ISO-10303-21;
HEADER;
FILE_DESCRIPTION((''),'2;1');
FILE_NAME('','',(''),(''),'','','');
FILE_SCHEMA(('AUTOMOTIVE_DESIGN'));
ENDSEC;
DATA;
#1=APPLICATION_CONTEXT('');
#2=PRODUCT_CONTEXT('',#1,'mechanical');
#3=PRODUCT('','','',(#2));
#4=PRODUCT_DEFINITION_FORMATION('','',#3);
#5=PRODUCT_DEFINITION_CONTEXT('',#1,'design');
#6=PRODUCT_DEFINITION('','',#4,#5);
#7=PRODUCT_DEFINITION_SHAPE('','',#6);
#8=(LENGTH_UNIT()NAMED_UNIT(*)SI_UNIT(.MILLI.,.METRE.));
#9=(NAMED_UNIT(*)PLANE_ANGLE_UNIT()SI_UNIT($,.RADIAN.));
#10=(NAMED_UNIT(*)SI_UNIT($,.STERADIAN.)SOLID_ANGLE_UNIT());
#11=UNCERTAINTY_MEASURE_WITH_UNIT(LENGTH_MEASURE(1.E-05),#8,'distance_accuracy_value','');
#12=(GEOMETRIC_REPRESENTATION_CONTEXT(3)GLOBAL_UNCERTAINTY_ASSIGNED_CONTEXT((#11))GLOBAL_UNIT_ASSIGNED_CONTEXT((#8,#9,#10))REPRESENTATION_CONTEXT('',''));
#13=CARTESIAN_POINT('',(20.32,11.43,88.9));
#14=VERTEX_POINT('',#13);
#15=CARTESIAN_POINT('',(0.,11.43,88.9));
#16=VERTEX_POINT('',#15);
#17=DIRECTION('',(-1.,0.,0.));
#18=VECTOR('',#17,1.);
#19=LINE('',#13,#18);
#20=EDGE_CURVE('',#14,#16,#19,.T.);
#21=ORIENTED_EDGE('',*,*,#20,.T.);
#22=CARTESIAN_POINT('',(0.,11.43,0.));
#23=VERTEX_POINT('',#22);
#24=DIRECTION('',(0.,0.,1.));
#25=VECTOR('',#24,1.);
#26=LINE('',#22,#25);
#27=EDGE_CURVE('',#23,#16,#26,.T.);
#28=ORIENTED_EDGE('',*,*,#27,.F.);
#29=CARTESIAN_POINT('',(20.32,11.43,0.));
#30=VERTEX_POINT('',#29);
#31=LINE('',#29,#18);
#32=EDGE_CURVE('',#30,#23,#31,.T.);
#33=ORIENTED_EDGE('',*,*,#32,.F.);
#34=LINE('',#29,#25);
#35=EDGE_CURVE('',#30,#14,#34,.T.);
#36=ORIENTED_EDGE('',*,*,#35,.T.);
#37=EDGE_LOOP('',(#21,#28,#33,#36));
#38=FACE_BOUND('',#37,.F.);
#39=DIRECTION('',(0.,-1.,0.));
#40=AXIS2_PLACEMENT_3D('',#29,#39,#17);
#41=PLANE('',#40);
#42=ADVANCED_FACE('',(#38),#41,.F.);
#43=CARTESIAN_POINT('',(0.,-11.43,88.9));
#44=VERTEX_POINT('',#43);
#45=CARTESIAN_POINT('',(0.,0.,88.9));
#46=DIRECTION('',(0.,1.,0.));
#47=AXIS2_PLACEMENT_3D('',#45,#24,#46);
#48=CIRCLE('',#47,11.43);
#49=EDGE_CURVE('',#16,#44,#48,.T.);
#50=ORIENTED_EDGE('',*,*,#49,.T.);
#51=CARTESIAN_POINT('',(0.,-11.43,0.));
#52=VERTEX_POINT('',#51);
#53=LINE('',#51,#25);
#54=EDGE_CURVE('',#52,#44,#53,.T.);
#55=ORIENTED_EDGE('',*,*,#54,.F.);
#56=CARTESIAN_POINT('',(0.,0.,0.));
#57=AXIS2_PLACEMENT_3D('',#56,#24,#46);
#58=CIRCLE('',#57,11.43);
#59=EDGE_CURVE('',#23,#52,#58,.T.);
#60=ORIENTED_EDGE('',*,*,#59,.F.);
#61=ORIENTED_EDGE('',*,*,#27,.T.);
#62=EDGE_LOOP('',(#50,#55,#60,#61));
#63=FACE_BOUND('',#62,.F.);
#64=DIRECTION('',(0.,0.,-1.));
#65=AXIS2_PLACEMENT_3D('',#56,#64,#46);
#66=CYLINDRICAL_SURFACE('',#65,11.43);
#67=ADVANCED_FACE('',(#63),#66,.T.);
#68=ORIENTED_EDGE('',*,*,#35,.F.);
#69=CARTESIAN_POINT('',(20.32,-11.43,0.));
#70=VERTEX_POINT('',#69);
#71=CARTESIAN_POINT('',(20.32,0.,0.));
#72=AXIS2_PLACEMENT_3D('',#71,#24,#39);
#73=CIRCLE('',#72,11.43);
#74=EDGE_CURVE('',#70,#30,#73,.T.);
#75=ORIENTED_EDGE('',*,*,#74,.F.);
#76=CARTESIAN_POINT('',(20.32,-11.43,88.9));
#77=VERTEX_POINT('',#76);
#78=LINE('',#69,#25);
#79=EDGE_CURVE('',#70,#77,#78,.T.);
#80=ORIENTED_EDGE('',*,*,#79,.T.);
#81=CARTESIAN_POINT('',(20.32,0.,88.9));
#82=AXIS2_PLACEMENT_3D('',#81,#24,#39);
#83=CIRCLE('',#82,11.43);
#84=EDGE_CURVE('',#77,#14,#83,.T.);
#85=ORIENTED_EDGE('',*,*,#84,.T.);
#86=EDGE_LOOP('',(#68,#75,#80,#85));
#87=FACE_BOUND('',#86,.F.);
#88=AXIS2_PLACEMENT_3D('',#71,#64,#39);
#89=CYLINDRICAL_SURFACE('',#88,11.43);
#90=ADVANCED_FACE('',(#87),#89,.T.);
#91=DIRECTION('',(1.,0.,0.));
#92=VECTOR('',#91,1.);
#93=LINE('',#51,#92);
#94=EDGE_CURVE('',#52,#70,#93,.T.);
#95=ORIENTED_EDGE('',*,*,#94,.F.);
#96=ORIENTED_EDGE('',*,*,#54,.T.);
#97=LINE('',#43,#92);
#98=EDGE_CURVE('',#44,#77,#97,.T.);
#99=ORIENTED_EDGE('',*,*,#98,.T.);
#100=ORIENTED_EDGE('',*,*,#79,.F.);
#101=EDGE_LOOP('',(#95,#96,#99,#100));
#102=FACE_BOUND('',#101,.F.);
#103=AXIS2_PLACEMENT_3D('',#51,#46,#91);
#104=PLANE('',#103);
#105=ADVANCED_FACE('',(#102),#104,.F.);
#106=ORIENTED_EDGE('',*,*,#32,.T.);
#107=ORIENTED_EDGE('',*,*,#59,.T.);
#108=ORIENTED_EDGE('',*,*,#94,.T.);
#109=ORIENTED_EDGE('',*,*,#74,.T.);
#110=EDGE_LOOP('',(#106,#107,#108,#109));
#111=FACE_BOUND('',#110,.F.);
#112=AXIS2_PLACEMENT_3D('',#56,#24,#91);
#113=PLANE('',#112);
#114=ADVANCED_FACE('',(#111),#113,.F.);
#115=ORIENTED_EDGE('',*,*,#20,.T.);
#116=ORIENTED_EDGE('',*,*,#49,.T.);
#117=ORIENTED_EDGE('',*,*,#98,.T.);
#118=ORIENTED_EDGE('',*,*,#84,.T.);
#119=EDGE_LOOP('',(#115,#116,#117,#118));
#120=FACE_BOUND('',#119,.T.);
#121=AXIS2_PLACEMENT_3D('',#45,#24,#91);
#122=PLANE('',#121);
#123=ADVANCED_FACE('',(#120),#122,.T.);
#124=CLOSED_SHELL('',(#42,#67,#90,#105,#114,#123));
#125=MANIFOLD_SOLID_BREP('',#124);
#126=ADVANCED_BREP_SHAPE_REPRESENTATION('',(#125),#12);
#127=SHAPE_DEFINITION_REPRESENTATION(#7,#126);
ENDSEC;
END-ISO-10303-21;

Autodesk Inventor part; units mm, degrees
ref_plane "YZ Plane" through (0, 0, 0) normal (1, 0, 0) x (0, 1, 0)
ref_plane "XZ Plane" through (0, 0, 0) normal (0, 1, 0) x (-1, 0, 0)
ref_plane "XY Plane" through (0, 0, 0) normal (0, 0, 1) x (1, 0, 0)
sketch "Sketch1" plane through (0, 0, 0) normal (0, 0, 1) x (1, 0, 0)
  line L0 (0, 0) -> (20.32, 0) construction
  line L1 (0, -11.43) -> (20.32, -11.43)
  line L2 (20.32, 11.43) -> (0, 11.43)
  arc A0 (0, 11.43) -> (0, -11.43) centre (0, 0) ccw
  arc A1 (20.32, -11.43) -> (20.32, 11.43) centre (20.32, 0) ccw
  point P0 (10.16, 0)
  dimension "d0" = 22.86
  dimension "d2" = 43.18
extrude "Extrusion1" add sketch "Sketch1" along normal blind 88.9
properties part number "battery"
